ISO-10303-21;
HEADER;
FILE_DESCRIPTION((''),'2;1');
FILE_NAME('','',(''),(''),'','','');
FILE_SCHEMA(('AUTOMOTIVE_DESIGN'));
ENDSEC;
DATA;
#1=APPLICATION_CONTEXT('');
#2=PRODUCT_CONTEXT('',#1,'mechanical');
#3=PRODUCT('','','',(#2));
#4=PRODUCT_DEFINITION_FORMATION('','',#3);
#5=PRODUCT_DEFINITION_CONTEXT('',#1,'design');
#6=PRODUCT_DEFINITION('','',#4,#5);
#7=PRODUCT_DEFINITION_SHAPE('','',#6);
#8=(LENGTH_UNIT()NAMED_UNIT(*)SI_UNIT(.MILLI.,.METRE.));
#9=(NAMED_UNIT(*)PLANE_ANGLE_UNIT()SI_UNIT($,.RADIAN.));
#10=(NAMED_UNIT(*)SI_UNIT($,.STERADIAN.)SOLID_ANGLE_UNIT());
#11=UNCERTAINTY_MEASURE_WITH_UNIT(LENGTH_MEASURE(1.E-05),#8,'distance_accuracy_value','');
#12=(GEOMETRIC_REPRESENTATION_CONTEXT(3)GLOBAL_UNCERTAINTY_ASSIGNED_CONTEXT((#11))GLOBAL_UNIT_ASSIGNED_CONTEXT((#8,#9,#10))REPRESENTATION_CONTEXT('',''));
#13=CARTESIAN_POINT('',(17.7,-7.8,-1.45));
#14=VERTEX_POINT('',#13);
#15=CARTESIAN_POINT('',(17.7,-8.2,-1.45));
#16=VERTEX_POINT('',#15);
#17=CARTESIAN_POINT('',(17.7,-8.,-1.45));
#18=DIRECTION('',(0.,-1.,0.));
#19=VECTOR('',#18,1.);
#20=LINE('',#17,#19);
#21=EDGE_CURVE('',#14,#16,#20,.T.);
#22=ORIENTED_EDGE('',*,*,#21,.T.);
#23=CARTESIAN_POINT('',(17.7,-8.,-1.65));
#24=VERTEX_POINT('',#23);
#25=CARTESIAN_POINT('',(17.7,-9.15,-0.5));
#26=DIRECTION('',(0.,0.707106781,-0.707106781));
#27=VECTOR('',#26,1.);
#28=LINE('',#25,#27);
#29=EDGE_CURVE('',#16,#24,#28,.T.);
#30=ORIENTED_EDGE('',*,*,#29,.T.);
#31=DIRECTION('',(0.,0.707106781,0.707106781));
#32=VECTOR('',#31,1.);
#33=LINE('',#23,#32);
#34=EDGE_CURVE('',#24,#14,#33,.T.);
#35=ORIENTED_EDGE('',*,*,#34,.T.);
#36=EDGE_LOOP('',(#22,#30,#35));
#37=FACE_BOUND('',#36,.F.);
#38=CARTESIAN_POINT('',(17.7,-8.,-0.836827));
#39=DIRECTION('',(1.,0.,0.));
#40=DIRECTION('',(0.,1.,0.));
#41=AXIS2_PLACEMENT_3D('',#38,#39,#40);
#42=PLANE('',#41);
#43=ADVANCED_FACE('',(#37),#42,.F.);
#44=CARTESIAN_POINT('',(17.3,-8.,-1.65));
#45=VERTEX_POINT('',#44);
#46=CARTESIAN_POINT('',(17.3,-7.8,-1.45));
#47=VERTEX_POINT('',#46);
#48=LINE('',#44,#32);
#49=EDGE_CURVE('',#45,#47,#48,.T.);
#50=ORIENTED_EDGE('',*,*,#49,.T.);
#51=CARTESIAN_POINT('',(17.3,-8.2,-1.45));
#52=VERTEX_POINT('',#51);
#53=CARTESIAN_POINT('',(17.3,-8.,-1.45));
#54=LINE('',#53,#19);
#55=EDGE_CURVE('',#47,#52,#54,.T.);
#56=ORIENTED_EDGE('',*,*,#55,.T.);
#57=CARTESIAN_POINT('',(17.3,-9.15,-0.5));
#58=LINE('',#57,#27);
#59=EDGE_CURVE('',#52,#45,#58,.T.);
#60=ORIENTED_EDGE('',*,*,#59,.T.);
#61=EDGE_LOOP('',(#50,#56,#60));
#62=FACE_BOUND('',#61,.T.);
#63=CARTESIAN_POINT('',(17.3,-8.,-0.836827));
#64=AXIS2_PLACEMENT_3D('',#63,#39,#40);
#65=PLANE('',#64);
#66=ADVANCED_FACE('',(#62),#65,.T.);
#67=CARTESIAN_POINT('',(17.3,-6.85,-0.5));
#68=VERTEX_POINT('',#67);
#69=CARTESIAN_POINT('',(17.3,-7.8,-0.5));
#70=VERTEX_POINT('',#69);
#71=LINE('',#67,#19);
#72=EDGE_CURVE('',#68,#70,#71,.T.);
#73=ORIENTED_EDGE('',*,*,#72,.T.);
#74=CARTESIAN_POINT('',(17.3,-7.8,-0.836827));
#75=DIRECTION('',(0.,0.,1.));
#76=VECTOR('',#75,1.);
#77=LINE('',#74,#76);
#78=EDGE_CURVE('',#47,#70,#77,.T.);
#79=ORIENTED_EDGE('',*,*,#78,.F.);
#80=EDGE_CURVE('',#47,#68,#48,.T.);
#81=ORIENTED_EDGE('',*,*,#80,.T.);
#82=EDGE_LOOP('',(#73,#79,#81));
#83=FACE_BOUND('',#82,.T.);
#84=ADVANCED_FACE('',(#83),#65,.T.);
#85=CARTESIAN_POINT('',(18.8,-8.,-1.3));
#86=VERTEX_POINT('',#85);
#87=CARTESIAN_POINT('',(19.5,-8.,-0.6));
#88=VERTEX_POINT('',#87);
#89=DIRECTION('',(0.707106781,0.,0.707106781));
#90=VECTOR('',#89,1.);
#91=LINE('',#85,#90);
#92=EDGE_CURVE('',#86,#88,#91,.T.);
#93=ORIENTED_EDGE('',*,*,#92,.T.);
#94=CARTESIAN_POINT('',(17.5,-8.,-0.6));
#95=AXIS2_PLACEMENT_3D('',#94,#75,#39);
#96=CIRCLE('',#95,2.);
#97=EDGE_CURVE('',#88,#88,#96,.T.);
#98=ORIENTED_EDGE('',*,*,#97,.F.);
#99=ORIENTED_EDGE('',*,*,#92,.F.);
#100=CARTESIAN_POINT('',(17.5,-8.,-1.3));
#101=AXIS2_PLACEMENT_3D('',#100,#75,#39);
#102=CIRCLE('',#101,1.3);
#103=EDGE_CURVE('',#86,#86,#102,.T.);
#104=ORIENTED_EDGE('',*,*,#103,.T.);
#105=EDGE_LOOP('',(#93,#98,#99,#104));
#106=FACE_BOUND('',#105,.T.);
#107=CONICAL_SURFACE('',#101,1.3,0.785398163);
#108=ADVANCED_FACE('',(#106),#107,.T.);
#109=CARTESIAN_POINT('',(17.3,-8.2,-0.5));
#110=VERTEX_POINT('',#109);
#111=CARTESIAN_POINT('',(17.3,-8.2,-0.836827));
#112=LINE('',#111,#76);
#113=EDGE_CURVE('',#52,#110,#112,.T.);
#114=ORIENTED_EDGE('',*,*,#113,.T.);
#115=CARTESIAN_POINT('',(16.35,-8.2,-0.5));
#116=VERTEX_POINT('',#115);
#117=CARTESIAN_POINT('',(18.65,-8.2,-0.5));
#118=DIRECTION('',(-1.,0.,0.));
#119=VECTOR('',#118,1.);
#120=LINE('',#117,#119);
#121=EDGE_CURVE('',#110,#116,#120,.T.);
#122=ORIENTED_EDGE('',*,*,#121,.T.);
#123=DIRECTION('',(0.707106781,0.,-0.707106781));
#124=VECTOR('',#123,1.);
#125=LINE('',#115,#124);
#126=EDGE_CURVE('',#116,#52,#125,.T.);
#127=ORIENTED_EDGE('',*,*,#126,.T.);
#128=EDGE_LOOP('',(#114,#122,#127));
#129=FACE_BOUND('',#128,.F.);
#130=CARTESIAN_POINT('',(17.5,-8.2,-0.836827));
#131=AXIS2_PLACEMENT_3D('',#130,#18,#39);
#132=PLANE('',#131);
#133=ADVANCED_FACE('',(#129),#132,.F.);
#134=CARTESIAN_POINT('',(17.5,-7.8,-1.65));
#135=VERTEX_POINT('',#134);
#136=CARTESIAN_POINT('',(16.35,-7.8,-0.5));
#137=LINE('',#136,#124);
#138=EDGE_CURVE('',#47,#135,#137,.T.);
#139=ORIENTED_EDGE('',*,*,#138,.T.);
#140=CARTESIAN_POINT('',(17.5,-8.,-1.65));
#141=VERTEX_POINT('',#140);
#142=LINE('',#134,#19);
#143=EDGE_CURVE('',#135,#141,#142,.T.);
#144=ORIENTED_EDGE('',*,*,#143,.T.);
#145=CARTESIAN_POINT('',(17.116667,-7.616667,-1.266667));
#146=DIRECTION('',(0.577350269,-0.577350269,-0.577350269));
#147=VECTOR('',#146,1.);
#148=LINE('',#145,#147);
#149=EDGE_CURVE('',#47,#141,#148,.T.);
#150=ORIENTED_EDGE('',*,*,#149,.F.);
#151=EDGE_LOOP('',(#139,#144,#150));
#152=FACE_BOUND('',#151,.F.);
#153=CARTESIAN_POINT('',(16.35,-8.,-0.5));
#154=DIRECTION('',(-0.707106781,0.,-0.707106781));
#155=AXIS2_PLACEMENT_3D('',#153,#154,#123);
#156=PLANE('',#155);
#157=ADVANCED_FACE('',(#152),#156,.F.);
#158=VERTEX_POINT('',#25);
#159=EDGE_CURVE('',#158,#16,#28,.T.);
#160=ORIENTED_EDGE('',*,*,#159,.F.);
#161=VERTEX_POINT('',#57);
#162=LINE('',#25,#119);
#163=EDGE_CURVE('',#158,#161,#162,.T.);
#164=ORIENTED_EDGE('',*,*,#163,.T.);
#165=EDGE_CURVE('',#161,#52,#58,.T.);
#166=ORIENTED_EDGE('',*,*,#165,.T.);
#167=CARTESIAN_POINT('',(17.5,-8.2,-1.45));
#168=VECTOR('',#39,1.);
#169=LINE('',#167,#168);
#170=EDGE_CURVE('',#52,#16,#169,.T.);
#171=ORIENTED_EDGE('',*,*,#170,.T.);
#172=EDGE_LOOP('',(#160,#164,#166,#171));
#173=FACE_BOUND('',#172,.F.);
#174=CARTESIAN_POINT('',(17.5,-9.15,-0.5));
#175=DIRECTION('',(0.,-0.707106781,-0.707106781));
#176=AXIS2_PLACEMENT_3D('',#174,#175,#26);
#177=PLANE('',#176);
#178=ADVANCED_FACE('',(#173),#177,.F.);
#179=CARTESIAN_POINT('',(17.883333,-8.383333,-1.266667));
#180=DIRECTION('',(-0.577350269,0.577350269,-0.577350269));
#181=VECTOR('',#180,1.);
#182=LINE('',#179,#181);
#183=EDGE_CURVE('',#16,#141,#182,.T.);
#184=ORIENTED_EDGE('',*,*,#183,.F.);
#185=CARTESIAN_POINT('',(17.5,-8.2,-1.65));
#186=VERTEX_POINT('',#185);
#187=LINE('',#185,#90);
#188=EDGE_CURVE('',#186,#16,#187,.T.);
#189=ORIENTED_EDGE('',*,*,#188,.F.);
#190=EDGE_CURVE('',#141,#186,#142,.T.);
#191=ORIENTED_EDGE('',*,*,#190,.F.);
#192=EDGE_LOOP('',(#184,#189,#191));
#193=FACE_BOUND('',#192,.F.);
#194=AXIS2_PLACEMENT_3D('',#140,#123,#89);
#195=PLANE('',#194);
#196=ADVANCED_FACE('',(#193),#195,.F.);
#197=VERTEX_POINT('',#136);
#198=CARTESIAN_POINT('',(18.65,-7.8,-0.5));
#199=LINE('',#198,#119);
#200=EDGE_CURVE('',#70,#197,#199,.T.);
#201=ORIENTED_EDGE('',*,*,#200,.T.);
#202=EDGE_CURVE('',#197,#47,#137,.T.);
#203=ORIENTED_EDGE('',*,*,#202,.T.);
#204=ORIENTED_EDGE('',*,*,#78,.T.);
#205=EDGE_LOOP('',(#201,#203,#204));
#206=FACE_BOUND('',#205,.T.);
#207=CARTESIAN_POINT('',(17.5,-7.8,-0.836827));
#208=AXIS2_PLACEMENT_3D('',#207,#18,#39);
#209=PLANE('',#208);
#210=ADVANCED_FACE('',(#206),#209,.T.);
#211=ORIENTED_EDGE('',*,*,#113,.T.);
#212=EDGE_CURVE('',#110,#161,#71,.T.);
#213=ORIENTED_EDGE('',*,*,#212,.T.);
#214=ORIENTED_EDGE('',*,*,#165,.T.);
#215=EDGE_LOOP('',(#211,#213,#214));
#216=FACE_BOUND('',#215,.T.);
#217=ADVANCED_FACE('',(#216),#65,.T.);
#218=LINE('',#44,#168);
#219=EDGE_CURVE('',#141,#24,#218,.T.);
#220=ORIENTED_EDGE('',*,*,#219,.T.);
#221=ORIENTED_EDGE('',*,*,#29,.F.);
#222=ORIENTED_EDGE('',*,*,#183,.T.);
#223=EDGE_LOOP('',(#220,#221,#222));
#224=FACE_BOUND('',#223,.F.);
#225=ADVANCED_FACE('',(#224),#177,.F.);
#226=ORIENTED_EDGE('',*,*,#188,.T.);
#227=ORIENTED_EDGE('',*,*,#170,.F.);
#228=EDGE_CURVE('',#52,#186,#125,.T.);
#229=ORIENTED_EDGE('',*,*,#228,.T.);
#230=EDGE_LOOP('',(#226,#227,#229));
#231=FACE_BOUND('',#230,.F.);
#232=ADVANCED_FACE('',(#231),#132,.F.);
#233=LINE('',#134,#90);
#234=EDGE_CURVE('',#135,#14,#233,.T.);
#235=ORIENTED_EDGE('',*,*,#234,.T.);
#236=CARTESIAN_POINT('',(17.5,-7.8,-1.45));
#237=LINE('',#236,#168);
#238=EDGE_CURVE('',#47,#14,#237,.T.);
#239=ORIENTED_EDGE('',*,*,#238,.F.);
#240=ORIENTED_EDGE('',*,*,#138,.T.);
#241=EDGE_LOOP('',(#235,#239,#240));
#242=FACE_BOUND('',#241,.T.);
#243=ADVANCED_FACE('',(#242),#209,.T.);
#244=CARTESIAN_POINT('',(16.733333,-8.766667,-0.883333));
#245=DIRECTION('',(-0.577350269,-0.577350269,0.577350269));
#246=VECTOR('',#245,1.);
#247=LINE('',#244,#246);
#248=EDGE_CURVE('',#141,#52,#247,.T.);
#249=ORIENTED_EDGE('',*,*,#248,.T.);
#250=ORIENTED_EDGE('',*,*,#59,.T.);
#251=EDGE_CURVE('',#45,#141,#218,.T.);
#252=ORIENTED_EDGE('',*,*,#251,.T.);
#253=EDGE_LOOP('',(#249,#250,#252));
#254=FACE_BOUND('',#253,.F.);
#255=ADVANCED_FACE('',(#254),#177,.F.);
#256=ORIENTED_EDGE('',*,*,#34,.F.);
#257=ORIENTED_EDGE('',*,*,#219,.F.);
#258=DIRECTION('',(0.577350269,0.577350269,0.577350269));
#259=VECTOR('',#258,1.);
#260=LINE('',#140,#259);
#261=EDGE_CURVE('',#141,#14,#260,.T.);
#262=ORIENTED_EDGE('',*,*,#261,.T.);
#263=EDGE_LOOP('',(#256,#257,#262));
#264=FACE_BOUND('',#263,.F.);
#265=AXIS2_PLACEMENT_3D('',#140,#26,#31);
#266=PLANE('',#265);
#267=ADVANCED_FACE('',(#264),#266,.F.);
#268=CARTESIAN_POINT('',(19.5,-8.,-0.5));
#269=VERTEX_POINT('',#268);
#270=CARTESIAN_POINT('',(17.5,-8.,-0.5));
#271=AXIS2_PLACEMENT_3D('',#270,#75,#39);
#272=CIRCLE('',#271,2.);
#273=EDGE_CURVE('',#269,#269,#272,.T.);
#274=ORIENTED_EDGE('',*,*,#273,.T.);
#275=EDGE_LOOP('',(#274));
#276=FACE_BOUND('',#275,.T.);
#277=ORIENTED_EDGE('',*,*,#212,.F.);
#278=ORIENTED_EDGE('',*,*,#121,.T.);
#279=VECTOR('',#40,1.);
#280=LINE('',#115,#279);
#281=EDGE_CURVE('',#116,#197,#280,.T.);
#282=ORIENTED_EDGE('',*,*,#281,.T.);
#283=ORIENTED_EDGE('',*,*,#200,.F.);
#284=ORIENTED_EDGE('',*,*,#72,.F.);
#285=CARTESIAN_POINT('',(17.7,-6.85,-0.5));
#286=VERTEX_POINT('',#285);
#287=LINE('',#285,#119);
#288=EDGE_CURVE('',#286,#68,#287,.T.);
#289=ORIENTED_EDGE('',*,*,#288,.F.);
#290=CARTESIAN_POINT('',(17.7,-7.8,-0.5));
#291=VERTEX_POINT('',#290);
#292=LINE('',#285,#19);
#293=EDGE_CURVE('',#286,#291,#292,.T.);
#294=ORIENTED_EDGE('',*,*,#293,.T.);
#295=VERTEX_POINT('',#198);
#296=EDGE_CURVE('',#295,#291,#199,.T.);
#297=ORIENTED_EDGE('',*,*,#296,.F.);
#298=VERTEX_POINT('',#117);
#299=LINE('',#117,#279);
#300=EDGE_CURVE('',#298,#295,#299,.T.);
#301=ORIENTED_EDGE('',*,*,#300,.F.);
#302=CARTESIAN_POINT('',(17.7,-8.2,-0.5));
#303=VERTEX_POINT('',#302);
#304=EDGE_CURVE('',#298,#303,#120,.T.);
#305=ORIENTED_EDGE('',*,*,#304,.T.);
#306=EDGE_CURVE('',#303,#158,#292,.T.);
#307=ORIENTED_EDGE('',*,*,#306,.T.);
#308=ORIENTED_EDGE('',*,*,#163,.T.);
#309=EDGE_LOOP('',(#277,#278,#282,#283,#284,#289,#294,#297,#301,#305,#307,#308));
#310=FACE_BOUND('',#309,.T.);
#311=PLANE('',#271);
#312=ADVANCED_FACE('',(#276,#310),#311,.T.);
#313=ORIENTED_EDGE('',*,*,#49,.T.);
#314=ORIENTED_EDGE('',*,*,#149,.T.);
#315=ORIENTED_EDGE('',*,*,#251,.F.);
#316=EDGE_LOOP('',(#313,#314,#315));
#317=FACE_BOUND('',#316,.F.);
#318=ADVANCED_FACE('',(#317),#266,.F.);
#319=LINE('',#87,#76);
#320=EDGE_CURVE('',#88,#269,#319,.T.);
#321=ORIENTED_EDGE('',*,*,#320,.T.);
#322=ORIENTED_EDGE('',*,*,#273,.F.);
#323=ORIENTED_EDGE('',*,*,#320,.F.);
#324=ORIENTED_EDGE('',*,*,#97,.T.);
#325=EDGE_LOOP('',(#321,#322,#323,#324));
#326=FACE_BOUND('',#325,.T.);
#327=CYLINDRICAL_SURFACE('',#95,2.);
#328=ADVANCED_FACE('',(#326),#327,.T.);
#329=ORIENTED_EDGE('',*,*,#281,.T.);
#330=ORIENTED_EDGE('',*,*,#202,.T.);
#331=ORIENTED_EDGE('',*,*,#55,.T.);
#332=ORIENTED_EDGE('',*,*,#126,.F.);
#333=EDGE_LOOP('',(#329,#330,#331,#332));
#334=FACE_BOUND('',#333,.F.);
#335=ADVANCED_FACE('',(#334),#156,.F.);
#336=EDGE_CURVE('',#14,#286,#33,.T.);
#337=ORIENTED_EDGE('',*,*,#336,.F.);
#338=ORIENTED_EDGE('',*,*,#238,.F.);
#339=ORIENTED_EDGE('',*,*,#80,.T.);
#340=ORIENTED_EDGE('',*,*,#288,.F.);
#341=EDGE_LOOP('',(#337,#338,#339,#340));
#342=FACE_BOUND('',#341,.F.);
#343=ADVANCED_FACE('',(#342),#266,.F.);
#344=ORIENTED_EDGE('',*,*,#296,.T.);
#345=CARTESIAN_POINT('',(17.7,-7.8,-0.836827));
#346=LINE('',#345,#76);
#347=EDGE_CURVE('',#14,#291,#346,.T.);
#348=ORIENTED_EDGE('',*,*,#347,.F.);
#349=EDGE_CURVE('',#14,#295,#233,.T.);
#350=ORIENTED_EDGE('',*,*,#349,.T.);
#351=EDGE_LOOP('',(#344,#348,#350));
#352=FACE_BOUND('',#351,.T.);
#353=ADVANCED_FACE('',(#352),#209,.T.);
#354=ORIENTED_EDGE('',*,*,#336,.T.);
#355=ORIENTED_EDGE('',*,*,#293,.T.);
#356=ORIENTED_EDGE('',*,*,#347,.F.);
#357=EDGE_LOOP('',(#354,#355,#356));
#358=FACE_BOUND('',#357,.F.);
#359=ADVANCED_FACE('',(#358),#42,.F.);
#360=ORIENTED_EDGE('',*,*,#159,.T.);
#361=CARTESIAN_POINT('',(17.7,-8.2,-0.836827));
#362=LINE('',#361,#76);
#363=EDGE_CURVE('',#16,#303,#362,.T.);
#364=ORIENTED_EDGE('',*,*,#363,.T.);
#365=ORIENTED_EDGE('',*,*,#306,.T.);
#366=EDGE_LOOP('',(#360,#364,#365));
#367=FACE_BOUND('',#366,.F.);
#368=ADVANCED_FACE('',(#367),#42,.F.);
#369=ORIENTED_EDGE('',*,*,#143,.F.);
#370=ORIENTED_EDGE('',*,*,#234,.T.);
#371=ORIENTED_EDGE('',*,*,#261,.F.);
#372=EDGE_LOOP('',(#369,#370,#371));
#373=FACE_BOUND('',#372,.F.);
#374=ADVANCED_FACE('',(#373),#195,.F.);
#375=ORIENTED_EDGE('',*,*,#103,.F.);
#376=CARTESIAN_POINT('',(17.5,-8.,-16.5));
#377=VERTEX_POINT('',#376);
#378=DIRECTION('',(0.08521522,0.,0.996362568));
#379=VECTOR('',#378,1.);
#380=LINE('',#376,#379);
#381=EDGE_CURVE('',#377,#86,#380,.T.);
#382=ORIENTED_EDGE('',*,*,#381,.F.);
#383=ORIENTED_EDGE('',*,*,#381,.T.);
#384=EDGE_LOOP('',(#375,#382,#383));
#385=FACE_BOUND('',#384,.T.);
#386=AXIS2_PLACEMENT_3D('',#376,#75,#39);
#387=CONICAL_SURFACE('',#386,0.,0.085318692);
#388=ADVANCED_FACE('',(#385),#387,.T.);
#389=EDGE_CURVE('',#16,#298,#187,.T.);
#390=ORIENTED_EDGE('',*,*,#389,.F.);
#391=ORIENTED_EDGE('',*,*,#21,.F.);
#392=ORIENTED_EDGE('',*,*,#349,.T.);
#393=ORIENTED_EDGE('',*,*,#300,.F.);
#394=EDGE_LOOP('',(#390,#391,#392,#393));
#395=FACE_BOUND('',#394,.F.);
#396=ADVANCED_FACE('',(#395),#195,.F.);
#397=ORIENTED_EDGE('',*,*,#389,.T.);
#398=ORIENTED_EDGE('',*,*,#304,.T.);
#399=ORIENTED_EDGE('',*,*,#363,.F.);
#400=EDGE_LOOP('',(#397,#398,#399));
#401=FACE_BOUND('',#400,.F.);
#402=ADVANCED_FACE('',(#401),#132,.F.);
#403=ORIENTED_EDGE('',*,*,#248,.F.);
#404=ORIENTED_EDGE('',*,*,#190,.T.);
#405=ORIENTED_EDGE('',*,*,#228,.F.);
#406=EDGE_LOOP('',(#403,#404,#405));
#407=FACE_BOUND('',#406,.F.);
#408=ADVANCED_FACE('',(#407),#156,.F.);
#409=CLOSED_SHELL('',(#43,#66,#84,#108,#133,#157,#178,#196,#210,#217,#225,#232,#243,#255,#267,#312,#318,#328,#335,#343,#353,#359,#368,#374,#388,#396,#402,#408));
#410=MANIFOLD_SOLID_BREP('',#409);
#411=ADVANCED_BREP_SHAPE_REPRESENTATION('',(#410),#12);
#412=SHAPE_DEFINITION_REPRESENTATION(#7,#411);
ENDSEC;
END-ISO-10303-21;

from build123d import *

# Parameters (mm, degrees)
POCKET001_DEPTH    = 0.2
POLARPATTERN_COUNT = 2
POLARPATTERN_ANGLE = 90


with BuildPart() as part:
    # Sketch019 → Revolution003 (revolve)
    with BuildSketch(Plane.XZ):
        Polygon((0, 0), (0, -16), (1.3, -0.8), (2, -0.1), (2, 0), align=None)
    revolve(axis=Axis((0, 0, 0), (0, 0, 1)))

    # Sketch020 → Pocket001 (cut, symmetric)
    with BuildSketch(Plane.XZ):
        Polygon((-1.15, 0), (0, -1.15), (1.15, 0), align=None)
    pocket001 = extrude(amount=POCKET001_DEPTH, both=True, mode=Mode.SUBTRACT)

    # PolarPattern: Pocket001 ×2 about axis
    polarpattern_axis = Axis((0, 0, 0), (0, 0, 1))
    for i in range(1, POLARPATTERN_COUNT):
        add(pocket001.rotate(polarpattern_axis, i * POLARPATTERN_ANGLE / (POLARPATTERN_COUNT - 1)), mode=Mode.SUBTRACT)


with BuildPart() as part_1:
    # Body005 placement: moved
    add(part.part.moved(Location((17.5, -8, -0.5))))


solid = part_1.part
